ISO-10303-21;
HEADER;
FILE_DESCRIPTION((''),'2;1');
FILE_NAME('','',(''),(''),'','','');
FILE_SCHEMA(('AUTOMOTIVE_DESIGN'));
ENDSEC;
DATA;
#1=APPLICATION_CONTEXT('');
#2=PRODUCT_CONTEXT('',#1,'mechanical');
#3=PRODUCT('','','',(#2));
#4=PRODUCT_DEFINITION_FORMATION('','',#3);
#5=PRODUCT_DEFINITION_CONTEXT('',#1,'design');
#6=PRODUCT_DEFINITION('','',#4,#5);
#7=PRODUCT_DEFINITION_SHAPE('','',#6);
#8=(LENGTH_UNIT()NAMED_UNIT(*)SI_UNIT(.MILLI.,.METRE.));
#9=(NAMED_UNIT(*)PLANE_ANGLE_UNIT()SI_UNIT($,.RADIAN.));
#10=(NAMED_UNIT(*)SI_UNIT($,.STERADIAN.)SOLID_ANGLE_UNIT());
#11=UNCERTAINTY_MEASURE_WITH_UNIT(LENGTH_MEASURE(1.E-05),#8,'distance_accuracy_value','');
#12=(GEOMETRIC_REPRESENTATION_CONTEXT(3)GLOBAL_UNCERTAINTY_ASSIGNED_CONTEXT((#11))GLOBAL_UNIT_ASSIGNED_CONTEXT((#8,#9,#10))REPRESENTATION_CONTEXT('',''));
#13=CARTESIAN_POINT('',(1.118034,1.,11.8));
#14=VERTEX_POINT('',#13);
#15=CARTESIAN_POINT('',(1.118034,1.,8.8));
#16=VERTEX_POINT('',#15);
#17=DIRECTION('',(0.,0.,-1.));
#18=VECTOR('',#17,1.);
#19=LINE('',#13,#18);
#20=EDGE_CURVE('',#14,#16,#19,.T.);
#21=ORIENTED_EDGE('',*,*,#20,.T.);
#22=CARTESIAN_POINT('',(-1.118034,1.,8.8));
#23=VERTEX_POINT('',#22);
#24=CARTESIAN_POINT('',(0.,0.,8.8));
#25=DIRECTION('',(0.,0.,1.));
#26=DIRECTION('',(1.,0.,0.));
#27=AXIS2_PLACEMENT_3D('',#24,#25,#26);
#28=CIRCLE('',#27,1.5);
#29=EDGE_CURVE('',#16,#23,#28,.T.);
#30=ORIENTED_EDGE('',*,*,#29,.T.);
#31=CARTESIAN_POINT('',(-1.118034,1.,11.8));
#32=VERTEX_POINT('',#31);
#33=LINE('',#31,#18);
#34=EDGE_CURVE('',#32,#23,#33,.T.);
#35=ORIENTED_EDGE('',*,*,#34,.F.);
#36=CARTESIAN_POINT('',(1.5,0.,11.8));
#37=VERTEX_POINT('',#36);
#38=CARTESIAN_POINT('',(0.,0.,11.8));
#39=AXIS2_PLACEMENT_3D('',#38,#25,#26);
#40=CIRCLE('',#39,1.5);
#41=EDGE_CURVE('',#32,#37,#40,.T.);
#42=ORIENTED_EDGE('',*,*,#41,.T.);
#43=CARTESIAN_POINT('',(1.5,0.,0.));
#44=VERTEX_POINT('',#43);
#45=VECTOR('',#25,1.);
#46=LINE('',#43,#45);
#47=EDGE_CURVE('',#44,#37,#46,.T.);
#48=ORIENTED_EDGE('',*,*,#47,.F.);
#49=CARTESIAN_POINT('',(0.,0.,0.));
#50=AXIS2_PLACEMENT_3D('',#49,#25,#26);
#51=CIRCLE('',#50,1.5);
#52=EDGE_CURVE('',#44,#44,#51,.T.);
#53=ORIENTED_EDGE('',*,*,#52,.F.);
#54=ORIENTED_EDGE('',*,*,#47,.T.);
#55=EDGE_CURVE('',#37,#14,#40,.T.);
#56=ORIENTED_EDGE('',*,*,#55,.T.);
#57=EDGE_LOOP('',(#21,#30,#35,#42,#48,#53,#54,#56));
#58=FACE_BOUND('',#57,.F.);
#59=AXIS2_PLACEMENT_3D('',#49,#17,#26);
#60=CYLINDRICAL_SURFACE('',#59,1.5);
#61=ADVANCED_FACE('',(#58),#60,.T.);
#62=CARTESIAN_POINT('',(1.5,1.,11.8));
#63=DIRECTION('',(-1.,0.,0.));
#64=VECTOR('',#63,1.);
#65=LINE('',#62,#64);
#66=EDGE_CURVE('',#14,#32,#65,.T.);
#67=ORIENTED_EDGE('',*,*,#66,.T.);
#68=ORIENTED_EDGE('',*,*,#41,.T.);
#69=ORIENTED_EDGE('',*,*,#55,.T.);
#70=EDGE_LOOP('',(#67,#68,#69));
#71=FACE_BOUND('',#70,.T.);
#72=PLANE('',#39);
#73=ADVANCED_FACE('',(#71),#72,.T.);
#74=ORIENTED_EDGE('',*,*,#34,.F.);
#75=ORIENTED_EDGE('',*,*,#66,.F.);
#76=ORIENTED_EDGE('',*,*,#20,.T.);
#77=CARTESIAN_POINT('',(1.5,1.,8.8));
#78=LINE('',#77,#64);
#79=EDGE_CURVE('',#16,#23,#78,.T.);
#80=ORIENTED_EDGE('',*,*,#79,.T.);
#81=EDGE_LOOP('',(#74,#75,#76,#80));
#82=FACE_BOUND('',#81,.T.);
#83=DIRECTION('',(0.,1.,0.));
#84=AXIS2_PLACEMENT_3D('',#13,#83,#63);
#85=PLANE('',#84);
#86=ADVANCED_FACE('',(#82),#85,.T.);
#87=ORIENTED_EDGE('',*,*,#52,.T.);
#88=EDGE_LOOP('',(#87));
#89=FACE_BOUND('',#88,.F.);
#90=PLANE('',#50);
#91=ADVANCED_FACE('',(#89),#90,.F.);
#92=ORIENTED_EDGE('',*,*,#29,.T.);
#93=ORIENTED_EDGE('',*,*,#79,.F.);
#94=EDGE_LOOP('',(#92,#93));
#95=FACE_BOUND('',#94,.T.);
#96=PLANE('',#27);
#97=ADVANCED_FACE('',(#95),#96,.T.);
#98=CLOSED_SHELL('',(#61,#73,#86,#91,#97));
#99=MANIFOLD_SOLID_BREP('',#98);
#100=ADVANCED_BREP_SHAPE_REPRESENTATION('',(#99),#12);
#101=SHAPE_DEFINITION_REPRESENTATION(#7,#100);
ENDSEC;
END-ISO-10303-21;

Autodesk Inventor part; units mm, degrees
ref_plane "YZ Plane" through (0, 0, 0) normal (1, 0, 0) x (0, 1, 0)
ref_plane "XZ Plane" through (0, 0, 0) normal (0, 1, 0) x (-1, 0, 0)
ref_plane "XY Plane" through (0, 0, 0) normal (0, 0, 1) x (1, 0, 0)
sketch "Эскиз1" plane through (0, 0, 0) normal (0, 0, 1) x (1, 0, 0)
  circle A0 centre (0, 0) radius 1.5
  dimension "d0" = 3
extrude "Выдавливание1" add sketch "Эскиз1" along normal blind 11.8
sketch "Эскиз2" plane through (0, 0, 11.8) normal (0, 0, 1) x (1, 0, 0)
  line L0 (-1.5, -1) -> (1.5, -1)
  line L1 (1.5, -1) -> (1.5, 1)
  line L2 (1.5, 1) -> (-1.5, 1)
  line L3 (-1.5, 1) -> (-1.5, -1)
  line L4 (-1.5, -1) -> (1.5, 1) construction
  line L5 (1.5, -1) -> (-1.5, 1) construction
  circle A0 centre (0, 0) radius 1.5
  point P0 (-1.118, 1)
  point P1 (1.118, 1)
  dimension "d3" = 2
extrude "Выдавливание2" cut sketch "Эскиз2" against normal blind 3 contours A0 L2
properties part number "Ось 3мм"
